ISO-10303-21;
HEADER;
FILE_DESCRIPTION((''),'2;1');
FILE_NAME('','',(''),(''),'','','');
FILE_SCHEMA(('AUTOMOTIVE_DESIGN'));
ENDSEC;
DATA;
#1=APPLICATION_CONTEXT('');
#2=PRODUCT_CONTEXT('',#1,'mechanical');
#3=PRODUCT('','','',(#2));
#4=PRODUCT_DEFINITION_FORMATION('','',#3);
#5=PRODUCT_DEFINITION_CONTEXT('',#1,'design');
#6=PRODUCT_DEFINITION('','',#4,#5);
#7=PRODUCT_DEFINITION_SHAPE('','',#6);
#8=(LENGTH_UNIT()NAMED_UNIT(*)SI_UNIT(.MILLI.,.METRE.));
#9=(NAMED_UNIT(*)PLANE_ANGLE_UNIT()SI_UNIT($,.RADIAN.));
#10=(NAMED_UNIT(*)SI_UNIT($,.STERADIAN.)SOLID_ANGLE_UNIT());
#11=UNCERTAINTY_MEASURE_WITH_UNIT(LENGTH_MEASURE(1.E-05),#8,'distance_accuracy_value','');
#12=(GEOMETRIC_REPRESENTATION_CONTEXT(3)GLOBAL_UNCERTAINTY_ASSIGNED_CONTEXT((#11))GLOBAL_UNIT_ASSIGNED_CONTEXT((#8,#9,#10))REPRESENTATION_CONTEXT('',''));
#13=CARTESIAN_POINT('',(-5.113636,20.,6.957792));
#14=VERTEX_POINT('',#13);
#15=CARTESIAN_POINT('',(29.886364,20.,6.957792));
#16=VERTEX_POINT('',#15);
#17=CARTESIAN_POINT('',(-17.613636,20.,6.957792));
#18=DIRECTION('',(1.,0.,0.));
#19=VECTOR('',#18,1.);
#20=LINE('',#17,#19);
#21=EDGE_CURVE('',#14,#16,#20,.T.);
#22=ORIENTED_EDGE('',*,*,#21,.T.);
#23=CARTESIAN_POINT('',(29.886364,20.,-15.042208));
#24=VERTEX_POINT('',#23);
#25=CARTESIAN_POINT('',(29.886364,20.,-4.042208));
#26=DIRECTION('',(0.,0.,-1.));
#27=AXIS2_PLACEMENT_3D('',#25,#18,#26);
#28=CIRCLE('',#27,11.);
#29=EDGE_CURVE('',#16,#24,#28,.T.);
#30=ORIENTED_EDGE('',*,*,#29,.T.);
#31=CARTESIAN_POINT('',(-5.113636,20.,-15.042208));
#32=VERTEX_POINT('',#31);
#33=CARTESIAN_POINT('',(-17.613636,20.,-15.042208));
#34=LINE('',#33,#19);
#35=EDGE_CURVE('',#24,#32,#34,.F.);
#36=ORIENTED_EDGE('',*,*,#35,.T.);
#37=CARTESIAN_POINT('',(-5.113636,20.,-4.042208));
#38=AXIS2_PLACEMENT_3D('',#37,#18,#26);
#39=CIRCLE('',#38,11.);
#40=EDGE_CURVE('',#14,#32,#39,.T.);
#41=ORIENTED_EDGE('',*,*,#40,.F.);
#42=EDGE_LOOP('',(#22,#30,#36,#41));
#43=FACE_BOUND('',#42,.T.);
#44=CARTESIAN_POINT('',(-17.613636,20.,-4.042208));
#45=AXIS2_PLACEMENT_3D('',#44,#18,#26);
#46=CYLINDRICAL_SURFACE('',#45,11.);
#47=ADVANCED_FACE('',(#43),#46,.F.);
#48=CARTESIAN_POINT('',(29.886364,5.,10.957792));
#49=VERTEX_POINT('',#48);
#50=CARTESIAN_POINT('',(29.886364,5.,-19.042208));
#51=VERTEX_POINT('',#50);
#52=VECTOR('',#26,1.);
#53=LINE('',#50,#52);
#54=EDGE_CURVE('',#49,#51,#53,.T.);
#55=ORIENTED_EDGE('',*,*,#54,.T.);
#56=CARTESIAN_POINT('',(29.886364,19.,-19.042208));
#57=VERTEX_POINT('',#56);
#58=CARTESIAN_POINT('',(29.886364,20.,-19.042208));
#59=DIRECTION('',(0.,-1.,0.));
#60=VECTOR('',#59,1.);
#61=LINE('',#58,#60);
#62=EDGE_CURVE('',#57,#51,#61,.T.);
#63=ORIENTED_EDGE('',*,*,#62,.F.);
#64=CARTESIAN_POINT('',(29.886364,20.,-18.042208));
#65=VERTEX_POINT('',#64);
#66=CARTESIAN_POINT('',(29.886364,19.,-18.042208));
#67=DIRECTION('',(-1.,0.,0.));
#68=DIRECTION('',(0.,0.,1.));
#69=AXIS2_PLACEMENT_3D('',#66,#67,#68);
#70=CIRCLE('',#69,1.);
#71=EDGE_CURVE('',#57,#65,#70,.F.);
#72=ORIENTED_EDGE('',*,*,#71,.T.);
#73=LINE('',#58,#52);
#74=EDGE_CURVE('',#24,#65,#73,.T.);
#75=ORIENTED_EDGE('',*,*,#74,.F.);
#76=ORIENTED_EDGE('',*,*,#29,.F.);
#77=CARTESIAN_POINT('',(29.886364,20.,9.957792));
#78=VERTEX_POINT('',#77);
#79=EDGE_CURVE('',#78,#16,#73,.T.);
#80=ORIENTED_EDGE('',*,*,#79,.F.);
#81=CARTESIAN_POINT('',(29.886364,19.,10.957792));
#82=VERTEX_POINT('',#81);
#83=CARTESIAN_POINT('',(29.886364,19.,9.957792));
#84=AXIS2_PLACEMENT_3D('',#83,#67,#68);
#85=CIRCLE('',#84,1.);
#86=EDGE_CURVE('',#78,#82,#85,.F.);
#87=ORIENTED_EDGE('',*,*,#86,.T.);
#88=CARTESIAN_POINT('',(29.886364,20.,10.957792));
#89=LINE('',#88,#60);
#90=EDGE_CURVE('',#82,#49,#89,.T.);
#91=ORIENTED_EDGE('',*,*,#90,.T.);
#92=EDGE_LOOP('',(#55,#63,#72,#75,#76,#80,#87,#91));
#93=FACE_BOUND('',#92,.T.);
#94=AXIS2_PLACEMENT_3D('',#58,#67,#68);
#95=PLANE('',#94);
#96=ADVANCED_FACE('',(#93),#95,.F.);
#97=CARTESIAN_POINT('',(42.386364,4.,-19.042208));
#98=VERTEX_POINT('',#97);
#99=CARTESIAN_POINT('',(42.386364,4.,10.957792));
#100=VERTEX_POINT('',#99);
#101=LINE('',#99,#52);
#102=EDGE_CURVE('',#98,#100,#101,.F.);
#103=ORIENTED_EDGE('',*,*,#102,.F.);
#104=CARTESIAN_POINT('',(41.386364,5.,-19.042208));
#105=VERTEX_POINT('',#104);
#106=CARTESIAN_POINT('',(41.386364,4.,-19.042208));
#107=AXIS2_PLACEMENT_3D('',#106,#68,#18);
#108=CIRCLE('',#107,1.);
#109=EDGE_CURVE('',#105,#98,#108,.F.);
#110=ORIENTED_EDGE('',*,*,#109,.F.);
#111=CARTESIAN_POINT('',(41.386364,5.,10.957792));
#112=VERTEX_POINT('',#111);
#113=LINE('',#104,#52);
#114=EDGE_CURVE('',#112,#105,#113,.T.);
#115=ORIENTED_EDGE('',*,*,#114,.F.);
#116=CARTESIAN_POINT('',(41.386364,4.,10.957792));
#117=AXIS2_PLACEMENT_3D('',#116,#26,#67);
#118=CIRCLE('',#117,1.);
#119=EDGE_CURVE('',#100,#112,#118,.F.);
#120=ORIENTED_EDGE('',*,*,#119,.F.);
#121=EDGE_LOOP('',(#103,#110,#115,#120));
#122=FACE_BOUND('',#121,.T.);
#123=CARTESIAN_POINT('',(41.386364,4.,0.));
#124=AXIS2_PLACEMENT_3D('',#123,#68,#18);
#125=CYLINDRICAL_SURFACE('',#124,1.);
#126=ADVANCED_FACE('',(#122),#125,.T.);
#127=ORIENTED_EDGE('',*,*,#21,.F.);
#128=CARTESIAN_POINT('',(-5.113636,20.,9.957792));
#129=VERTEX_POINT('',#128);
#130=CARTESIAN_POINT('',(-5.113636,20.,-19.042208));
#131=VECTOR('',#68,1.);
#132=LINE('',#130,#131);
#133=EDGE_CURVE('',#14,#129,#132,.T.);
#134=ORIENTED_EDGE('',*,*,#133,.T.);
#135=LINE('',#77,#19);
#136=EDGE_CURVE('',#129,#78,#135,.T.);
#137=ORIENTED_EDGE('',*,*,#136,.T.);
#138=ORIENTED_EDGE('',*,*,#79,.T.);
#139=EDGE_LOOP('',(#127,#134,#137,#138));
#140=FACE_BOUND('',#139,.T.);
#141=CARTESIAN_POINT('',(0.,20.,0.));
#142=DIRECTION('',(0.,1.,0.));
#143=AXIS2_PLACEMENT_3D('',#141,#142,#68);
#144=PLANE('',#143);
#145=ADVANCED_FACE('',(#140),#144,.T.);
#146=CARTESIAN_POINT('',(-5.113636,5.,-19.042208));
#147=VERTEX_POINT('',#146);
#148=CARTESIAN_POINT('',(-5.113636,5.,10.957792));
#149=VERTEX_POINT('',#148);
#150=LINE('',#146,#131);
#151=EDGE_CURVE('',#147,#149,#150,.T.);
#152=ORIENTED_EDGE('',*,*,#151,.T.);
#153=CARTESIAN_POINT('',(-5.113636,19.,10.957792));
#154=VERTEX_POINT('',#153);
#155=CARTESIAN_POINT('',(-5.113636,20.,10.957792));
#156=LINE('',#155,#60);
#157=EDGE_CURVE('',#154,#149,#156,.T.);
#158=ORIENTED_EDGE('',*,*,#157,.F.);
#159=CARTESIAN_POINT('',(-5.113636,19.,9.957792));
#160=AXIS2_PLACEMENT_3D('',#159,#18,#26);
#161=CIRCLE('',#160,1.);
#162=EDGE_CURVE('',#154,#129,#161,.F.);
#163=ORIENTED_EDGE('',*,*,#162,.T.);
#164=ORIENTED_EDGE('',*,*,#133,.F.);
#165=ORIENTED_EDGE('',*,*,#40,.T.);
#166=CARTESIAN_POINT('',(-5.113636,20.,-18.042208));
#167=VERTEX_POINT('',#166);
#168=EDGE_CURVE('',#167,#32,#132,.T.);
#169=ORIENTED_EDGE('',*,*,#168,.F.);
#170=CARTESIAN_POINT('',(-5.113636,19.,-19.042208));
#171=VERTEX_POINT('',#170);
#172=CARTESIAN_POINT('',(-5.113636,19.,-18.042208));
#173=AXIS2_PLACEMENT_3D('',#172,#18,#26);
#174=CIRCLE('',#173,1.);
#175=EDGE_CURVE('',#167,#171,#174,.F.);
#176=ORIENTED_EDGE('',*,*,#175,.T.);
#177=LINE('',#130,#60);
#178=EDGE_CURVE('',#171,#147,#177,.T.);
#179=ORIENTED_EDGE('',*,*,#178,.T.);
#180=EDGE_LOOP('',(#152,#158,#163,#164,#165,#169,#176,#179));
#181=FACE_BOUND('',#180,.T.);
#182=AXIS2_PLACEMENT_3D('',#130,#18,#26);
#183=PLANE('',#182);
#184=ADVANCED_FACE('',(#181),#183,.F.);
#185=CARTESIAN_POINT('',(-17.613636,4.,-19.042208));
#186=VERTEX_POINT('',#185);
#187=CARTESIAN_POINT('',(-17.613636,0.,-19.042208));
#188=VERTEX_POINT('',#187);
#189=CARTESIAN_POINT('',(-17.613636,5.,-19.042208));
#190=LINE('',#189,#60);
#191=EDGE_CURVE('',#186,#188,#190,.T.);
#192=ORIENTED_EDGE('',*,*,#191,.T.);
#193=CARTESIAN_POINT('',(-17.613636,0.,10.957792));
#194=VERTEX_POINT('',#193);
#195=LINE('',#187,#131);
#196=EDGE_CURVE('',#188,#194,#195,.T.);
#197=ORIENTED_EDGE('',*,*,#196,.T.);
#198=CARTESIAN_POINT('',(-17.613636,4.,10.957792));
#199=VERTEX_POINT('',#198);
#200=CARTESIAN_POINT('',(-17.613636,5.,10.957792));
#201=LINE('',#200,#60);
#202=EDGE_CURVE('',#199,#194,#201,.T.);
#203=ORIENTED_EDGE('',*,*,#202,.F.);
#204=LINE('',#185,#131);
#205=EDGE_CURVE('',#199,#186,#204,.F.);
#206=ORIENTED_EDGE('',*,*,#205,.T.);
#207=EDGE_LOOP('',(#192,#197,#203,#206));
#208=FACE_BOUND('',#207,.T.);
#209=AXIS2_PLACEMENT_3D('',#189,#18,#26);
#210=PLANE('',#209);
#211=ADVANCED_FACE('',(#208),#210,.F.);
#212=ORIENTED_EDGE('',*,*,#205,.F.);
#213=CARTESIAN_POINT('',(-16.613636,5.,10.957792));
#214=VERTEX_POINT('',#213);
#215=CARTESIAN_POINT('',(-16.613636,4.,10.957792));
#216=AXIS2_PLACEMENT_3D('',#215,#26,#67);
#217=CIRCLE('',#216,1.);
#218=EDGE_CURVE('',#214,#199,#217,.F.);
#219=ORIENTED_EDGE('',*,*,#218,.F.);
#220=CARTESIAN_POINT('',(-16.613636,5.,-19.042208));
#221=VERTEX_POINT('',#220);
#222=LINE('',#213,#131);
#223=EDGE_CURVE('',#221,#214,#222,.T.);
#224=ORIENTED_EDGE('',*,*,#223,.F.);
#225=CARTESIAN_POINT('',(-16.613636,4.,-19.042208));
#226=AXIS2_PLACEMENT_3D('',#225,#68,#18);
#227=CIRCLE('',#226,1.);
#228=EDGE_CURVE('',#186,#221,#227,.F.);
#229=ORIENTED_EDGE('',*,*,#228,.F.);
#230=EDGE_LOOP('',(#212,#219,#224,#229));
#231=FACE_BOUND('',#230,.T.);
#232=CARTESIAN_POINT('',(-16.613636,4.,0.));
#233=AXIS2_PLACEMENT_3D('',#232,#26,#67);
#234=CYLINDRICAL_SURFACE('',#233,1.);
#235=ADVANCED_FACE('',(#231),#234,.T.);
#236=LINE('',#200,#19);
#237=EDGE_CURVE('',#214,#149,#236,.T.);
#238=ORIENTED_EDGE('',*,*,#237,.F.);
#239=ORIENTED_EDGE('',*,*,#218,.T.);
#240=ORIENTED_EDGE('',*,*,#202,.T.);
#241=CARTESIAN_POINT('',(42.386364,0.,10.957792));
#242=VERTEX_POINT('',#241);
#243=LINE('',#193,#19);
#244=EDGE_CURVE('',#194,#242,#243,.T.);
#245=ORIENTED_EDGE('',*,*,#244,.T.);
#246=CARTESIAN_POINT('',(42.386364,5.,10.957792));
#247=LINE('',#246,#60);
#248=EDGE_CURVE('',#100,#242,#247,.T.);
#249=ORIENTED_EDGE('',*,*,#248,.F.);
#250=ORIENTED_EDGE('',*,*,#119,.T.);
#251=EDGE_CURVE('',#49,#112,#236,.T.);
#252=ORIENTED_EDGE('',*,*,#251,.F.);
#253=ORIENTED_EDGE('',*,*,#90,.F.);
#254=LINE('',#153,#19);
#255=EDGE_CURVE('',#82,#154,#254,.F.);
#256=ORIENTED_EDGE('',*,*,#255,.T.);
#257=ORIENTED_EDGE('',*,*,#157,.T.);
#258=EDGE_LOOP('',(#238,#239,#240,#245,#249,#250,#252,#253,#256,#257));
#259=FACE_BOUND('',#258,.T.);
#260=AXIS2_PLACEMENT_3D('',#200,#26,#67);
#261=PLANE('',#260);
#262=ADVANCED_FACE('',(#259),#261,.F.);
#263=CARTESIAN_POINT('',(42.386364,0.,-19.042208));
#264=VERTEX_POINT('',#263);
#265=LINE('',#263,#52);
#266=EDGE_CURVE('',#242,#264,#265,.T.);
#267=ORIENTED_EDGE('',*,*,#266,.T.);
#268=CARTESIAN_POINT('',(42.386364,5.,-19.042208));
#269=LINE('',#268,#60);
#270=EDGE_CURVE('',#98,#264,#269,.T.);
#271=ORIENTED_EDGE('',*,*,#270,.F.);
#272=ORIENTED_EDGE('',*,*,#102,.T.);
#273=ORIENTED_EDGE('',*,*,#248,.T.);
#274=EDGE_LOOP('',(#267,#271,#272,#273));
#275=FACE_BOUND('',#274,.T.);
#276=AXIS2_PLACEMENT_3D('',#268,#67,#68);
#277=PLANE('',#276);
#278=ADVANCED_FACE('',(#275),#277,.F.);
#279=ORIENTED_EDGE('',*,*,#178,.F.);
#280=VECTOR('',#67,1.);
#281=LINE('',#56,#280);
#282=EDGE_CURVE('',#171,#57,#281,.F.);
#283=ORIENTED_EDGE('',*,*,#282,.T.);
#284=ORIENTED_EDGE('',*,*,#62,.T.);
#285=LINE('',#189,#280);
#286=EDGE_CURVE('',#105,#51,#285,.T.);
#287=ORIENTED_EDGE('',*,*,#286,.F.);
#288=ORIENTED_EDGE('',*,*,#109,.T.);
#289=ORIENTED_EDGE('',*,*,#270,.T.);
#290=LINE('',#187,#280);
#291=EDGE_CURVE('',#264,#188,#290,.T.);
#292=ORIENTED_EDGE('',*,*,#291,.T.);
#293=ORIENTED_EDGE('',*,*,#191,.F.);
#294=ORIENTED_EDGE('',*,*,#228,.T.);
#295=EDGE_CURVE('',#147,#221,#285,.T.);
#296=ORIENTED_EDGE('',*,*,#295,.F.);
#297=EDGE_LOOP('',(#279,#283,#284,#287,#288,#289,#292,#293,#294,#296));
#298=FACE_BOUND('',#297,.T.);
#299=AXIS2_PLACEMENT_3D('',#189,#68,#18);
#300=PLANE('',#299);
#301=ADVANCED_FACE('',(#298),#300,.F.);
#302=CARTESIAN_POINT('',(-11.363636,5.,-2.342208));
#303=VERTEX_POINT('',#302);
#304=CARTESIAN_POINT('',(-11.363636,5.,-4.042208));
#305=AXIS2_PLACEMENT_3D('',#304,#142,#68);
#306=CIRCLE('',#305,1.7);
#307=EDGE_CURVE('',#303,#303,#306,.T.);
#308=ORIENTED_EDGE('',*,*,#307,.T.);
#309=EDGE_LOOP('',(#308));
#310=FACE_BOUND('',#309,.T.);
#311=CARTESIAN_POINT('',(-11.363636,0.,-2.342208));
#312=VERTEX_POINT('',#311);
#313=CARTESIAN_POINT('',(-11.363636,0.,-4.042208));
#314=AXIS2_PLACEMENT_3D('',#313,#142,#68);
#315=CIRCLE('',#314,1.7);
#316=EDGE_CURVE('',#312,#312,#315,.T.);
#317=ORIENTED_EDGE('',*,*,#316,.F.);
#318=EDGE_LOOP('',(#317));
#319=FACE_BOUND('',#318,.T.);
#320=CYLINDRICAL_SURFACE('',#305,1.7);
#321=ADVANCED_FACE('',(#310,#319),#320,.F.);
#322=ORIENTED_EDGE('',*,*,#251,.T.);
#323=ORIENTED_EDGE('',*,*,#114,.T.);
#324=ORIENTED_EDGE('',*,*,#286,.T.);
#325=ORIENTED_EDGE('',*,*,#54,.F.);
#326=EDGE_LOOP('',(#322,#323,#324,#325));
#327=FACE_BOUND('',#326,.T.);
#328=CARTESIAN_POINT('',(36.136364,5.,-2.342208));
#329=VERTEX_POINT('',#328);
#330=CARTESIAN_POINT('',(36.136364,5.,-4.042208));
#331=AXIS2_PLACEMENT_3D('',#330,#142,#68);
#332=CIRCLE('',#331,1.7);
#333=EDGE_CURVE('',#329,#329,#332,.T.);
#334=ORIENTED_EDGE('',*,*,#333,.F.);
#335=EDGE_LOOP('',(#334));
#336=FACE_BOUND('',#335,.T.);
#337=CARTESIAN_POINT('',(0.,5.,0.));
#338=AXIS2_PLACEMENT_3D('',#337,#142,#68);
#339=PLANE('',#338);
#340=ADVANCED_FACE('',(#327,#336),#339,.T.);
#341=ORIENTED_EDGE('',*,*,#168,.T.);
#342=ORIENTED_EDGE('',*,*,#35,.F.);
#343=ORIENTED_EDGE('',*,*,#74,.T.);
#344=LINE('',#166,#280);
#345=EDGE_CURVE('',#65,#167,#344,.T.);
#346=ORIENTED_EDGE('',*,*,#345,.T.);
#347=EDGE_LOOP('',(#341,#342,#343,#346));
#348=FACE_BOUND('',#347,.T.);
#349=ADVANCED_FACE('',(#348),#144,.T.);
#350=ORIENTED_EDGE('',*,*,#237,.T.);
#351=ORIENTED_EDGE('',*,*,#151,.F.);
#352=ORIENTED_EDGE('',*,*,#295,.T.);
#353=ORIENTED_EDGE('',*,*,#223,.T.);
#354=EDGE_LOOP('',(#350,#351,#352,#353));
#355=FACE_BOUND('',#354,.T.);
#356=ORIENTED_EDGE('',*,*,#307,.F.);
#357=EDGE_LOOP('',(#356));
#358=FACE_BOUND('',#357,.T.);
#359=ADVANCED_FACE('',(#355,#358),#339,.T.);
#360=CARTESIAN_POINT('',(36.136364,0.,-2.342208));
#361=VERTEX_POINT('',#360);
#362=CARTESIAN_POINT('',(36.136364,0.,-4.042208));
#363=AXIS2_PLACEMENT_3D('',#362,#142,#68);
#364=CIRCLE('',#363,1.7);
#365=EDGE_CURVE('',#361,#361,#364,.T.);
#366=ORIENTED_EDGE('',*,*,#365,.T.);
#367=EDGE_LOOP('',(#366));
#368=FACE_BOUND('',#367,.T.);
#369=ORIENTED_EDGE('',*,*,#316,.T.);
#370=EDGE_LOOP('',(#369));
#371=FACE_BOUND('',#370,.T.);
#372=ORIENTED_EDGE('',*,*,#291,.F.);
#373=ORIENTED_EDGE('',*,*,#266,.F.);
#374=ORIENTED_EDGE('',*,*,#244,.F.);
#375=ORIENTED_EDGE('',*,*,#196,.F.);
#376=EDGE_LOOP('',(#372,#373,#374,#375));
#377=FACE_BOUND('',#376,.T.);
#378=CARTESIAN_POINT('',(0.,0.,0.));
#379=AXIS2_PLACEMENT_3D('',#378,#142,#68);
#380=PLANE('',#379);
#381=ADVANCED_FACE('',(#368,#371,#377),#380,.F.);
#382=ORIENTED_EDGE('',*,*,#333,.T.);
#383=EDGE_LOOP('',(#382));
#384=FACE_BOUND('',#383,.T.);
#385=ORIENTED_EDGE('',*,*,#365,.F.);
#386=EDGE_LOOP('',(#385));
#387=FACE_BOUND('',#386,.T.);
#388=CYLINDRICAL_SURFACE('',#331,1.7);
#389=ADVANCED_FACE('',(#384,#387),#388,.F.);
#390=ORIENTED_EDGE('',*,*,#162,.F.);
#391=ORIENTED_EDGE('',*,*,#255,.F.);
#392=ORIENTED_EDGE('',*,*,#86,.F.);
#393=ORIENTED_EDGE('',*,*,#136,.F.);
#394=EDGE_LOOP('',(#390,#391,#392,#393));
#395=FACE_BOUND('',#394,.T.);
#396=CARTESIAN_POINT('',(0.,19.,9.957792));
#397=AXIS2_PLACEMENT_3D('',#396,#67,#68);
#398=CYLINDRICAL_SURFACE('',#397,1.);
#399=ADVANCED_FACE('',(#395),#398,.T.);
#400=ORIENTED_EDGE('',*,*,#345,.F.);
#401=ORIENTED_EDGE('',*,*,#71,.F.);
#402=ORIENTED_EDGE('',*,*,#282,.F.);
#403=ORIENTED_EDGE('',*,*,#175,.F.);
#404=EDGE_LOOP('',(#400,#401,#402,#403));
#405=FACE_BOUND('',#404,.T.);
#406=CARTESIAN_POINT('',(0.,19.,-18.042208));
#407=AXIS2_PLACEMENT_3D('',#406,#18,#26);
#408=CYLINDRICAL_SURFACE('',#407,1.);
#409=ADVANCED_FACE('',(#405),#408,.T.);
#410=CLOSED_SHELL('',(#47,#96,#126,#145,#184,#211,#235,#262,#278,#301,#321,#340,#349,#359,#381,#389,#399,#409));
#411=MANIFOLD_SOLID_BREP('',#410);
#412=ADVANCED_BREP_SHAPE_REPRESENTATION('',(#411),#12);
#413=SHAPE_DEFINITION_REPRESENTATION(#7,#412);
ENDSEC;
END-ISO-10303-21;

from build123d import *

# Parameters (mm, degrees)
SKETCH1_W            = 60
SKETCH1_H            = 30
BOSS_EXTRUDE1_DEPTH  = 5
SKETCH2_W            = 35
SKETCH2_H            = 30
BOSS_EXTRUDE2_DEPTH  = 15
SKETCH4_R            = 11
CUT_EXTRUDE1_DEPTH   = 48.5
M3_CLEARANCE_HOLE1_D = 3.4
FILLET1_R            = 1
FILLET2_R            = 1
FILLET3_R            = 1
FILLET4_R            = 1


with BuildPart() as part:
    # Sketch1 → Boss-Extrude1 (new body)
    with BuildSketch(Plane(origin=(0, 0, 0), x_dir=(1, 0, 0), z_dir=(0, 1, 0))):
        with Locations((12.386363636, 4.042207792)):
            Rectangle(SKETCH1_W, SKETCH1_H)
    extrude(amount=BOSS_EXTRUDE1_DEPTH)

    # Sketch2 → Boss-Extrude2 (add)
    with BuildSketch(Plane(origin=(0, 5, 0), x_dir=(1, 0, 0), z_dir=(0, 1, 0))):
        with Locations((12.386363636, 4.042207792)):
            Rectangle(SKETCH2_W, SKETCH2_H)
    extrude(amount=BOSS_EXTRUDE2_DEPTH)

    # Sketch4 → Cut-Extrude1 (cut, through all)
    with BuildSketch(Plane(origin=(29.886363636, 0, 0), x_dir=(0, 0, -1), z_dir=(1, 0, 0))):
        with Locations((4.042207792, 20)):
            Circle(SKETCH4_R)
    extrude(amount=-CUT_EXTRUDE1_DEPTH, mode=Mode.SUBTRACT)

    # M3 Clearance Hole1 (through all)
    with Locations(Plane(origin=(0, 5, 0), x_dir=(1, 0, 0), z_dir=(0, 1, 0))):
        with Locations((36.136363636, 4.042207792), (-11.363636364, 4.042207792)):
            Hole(M3_CLEARANCE_HOLE1_D / 2)

    # Fillet1
    fillet1_edges = [part.edges().sort_by_distance(p)[0] for p in [
        (12.386363636, 20, 10.957792208),
    ]]
    fillet(fillet1_edges, radius=FILLET1_R)

    # Fillet2
    fillet2_edges = [part.edges().sort_by_distance(p)[0] for p in [
        (12.386363636, 20, -19.042207792),
    ]]
    fillet(fillet2_edges, radius=FILLET2_R)

    # Fillet3
    fillet3_edges = [part.edges().sort_by_distance(p)[0] for p in [
        (42.386363636, 5, -4.042207792),
    ]]
    fillet(fillet3_edges, radius=FILLET3_R)

    # Fillet4
    fillet4_edges = [part.edges().sort_by_distance(p)[0] for p in [
        (-17.613636364, 5, -4.042207792),
    ]]
    fillet(fillet4_edges, radius=FILLET4_R)


solid = part.part
